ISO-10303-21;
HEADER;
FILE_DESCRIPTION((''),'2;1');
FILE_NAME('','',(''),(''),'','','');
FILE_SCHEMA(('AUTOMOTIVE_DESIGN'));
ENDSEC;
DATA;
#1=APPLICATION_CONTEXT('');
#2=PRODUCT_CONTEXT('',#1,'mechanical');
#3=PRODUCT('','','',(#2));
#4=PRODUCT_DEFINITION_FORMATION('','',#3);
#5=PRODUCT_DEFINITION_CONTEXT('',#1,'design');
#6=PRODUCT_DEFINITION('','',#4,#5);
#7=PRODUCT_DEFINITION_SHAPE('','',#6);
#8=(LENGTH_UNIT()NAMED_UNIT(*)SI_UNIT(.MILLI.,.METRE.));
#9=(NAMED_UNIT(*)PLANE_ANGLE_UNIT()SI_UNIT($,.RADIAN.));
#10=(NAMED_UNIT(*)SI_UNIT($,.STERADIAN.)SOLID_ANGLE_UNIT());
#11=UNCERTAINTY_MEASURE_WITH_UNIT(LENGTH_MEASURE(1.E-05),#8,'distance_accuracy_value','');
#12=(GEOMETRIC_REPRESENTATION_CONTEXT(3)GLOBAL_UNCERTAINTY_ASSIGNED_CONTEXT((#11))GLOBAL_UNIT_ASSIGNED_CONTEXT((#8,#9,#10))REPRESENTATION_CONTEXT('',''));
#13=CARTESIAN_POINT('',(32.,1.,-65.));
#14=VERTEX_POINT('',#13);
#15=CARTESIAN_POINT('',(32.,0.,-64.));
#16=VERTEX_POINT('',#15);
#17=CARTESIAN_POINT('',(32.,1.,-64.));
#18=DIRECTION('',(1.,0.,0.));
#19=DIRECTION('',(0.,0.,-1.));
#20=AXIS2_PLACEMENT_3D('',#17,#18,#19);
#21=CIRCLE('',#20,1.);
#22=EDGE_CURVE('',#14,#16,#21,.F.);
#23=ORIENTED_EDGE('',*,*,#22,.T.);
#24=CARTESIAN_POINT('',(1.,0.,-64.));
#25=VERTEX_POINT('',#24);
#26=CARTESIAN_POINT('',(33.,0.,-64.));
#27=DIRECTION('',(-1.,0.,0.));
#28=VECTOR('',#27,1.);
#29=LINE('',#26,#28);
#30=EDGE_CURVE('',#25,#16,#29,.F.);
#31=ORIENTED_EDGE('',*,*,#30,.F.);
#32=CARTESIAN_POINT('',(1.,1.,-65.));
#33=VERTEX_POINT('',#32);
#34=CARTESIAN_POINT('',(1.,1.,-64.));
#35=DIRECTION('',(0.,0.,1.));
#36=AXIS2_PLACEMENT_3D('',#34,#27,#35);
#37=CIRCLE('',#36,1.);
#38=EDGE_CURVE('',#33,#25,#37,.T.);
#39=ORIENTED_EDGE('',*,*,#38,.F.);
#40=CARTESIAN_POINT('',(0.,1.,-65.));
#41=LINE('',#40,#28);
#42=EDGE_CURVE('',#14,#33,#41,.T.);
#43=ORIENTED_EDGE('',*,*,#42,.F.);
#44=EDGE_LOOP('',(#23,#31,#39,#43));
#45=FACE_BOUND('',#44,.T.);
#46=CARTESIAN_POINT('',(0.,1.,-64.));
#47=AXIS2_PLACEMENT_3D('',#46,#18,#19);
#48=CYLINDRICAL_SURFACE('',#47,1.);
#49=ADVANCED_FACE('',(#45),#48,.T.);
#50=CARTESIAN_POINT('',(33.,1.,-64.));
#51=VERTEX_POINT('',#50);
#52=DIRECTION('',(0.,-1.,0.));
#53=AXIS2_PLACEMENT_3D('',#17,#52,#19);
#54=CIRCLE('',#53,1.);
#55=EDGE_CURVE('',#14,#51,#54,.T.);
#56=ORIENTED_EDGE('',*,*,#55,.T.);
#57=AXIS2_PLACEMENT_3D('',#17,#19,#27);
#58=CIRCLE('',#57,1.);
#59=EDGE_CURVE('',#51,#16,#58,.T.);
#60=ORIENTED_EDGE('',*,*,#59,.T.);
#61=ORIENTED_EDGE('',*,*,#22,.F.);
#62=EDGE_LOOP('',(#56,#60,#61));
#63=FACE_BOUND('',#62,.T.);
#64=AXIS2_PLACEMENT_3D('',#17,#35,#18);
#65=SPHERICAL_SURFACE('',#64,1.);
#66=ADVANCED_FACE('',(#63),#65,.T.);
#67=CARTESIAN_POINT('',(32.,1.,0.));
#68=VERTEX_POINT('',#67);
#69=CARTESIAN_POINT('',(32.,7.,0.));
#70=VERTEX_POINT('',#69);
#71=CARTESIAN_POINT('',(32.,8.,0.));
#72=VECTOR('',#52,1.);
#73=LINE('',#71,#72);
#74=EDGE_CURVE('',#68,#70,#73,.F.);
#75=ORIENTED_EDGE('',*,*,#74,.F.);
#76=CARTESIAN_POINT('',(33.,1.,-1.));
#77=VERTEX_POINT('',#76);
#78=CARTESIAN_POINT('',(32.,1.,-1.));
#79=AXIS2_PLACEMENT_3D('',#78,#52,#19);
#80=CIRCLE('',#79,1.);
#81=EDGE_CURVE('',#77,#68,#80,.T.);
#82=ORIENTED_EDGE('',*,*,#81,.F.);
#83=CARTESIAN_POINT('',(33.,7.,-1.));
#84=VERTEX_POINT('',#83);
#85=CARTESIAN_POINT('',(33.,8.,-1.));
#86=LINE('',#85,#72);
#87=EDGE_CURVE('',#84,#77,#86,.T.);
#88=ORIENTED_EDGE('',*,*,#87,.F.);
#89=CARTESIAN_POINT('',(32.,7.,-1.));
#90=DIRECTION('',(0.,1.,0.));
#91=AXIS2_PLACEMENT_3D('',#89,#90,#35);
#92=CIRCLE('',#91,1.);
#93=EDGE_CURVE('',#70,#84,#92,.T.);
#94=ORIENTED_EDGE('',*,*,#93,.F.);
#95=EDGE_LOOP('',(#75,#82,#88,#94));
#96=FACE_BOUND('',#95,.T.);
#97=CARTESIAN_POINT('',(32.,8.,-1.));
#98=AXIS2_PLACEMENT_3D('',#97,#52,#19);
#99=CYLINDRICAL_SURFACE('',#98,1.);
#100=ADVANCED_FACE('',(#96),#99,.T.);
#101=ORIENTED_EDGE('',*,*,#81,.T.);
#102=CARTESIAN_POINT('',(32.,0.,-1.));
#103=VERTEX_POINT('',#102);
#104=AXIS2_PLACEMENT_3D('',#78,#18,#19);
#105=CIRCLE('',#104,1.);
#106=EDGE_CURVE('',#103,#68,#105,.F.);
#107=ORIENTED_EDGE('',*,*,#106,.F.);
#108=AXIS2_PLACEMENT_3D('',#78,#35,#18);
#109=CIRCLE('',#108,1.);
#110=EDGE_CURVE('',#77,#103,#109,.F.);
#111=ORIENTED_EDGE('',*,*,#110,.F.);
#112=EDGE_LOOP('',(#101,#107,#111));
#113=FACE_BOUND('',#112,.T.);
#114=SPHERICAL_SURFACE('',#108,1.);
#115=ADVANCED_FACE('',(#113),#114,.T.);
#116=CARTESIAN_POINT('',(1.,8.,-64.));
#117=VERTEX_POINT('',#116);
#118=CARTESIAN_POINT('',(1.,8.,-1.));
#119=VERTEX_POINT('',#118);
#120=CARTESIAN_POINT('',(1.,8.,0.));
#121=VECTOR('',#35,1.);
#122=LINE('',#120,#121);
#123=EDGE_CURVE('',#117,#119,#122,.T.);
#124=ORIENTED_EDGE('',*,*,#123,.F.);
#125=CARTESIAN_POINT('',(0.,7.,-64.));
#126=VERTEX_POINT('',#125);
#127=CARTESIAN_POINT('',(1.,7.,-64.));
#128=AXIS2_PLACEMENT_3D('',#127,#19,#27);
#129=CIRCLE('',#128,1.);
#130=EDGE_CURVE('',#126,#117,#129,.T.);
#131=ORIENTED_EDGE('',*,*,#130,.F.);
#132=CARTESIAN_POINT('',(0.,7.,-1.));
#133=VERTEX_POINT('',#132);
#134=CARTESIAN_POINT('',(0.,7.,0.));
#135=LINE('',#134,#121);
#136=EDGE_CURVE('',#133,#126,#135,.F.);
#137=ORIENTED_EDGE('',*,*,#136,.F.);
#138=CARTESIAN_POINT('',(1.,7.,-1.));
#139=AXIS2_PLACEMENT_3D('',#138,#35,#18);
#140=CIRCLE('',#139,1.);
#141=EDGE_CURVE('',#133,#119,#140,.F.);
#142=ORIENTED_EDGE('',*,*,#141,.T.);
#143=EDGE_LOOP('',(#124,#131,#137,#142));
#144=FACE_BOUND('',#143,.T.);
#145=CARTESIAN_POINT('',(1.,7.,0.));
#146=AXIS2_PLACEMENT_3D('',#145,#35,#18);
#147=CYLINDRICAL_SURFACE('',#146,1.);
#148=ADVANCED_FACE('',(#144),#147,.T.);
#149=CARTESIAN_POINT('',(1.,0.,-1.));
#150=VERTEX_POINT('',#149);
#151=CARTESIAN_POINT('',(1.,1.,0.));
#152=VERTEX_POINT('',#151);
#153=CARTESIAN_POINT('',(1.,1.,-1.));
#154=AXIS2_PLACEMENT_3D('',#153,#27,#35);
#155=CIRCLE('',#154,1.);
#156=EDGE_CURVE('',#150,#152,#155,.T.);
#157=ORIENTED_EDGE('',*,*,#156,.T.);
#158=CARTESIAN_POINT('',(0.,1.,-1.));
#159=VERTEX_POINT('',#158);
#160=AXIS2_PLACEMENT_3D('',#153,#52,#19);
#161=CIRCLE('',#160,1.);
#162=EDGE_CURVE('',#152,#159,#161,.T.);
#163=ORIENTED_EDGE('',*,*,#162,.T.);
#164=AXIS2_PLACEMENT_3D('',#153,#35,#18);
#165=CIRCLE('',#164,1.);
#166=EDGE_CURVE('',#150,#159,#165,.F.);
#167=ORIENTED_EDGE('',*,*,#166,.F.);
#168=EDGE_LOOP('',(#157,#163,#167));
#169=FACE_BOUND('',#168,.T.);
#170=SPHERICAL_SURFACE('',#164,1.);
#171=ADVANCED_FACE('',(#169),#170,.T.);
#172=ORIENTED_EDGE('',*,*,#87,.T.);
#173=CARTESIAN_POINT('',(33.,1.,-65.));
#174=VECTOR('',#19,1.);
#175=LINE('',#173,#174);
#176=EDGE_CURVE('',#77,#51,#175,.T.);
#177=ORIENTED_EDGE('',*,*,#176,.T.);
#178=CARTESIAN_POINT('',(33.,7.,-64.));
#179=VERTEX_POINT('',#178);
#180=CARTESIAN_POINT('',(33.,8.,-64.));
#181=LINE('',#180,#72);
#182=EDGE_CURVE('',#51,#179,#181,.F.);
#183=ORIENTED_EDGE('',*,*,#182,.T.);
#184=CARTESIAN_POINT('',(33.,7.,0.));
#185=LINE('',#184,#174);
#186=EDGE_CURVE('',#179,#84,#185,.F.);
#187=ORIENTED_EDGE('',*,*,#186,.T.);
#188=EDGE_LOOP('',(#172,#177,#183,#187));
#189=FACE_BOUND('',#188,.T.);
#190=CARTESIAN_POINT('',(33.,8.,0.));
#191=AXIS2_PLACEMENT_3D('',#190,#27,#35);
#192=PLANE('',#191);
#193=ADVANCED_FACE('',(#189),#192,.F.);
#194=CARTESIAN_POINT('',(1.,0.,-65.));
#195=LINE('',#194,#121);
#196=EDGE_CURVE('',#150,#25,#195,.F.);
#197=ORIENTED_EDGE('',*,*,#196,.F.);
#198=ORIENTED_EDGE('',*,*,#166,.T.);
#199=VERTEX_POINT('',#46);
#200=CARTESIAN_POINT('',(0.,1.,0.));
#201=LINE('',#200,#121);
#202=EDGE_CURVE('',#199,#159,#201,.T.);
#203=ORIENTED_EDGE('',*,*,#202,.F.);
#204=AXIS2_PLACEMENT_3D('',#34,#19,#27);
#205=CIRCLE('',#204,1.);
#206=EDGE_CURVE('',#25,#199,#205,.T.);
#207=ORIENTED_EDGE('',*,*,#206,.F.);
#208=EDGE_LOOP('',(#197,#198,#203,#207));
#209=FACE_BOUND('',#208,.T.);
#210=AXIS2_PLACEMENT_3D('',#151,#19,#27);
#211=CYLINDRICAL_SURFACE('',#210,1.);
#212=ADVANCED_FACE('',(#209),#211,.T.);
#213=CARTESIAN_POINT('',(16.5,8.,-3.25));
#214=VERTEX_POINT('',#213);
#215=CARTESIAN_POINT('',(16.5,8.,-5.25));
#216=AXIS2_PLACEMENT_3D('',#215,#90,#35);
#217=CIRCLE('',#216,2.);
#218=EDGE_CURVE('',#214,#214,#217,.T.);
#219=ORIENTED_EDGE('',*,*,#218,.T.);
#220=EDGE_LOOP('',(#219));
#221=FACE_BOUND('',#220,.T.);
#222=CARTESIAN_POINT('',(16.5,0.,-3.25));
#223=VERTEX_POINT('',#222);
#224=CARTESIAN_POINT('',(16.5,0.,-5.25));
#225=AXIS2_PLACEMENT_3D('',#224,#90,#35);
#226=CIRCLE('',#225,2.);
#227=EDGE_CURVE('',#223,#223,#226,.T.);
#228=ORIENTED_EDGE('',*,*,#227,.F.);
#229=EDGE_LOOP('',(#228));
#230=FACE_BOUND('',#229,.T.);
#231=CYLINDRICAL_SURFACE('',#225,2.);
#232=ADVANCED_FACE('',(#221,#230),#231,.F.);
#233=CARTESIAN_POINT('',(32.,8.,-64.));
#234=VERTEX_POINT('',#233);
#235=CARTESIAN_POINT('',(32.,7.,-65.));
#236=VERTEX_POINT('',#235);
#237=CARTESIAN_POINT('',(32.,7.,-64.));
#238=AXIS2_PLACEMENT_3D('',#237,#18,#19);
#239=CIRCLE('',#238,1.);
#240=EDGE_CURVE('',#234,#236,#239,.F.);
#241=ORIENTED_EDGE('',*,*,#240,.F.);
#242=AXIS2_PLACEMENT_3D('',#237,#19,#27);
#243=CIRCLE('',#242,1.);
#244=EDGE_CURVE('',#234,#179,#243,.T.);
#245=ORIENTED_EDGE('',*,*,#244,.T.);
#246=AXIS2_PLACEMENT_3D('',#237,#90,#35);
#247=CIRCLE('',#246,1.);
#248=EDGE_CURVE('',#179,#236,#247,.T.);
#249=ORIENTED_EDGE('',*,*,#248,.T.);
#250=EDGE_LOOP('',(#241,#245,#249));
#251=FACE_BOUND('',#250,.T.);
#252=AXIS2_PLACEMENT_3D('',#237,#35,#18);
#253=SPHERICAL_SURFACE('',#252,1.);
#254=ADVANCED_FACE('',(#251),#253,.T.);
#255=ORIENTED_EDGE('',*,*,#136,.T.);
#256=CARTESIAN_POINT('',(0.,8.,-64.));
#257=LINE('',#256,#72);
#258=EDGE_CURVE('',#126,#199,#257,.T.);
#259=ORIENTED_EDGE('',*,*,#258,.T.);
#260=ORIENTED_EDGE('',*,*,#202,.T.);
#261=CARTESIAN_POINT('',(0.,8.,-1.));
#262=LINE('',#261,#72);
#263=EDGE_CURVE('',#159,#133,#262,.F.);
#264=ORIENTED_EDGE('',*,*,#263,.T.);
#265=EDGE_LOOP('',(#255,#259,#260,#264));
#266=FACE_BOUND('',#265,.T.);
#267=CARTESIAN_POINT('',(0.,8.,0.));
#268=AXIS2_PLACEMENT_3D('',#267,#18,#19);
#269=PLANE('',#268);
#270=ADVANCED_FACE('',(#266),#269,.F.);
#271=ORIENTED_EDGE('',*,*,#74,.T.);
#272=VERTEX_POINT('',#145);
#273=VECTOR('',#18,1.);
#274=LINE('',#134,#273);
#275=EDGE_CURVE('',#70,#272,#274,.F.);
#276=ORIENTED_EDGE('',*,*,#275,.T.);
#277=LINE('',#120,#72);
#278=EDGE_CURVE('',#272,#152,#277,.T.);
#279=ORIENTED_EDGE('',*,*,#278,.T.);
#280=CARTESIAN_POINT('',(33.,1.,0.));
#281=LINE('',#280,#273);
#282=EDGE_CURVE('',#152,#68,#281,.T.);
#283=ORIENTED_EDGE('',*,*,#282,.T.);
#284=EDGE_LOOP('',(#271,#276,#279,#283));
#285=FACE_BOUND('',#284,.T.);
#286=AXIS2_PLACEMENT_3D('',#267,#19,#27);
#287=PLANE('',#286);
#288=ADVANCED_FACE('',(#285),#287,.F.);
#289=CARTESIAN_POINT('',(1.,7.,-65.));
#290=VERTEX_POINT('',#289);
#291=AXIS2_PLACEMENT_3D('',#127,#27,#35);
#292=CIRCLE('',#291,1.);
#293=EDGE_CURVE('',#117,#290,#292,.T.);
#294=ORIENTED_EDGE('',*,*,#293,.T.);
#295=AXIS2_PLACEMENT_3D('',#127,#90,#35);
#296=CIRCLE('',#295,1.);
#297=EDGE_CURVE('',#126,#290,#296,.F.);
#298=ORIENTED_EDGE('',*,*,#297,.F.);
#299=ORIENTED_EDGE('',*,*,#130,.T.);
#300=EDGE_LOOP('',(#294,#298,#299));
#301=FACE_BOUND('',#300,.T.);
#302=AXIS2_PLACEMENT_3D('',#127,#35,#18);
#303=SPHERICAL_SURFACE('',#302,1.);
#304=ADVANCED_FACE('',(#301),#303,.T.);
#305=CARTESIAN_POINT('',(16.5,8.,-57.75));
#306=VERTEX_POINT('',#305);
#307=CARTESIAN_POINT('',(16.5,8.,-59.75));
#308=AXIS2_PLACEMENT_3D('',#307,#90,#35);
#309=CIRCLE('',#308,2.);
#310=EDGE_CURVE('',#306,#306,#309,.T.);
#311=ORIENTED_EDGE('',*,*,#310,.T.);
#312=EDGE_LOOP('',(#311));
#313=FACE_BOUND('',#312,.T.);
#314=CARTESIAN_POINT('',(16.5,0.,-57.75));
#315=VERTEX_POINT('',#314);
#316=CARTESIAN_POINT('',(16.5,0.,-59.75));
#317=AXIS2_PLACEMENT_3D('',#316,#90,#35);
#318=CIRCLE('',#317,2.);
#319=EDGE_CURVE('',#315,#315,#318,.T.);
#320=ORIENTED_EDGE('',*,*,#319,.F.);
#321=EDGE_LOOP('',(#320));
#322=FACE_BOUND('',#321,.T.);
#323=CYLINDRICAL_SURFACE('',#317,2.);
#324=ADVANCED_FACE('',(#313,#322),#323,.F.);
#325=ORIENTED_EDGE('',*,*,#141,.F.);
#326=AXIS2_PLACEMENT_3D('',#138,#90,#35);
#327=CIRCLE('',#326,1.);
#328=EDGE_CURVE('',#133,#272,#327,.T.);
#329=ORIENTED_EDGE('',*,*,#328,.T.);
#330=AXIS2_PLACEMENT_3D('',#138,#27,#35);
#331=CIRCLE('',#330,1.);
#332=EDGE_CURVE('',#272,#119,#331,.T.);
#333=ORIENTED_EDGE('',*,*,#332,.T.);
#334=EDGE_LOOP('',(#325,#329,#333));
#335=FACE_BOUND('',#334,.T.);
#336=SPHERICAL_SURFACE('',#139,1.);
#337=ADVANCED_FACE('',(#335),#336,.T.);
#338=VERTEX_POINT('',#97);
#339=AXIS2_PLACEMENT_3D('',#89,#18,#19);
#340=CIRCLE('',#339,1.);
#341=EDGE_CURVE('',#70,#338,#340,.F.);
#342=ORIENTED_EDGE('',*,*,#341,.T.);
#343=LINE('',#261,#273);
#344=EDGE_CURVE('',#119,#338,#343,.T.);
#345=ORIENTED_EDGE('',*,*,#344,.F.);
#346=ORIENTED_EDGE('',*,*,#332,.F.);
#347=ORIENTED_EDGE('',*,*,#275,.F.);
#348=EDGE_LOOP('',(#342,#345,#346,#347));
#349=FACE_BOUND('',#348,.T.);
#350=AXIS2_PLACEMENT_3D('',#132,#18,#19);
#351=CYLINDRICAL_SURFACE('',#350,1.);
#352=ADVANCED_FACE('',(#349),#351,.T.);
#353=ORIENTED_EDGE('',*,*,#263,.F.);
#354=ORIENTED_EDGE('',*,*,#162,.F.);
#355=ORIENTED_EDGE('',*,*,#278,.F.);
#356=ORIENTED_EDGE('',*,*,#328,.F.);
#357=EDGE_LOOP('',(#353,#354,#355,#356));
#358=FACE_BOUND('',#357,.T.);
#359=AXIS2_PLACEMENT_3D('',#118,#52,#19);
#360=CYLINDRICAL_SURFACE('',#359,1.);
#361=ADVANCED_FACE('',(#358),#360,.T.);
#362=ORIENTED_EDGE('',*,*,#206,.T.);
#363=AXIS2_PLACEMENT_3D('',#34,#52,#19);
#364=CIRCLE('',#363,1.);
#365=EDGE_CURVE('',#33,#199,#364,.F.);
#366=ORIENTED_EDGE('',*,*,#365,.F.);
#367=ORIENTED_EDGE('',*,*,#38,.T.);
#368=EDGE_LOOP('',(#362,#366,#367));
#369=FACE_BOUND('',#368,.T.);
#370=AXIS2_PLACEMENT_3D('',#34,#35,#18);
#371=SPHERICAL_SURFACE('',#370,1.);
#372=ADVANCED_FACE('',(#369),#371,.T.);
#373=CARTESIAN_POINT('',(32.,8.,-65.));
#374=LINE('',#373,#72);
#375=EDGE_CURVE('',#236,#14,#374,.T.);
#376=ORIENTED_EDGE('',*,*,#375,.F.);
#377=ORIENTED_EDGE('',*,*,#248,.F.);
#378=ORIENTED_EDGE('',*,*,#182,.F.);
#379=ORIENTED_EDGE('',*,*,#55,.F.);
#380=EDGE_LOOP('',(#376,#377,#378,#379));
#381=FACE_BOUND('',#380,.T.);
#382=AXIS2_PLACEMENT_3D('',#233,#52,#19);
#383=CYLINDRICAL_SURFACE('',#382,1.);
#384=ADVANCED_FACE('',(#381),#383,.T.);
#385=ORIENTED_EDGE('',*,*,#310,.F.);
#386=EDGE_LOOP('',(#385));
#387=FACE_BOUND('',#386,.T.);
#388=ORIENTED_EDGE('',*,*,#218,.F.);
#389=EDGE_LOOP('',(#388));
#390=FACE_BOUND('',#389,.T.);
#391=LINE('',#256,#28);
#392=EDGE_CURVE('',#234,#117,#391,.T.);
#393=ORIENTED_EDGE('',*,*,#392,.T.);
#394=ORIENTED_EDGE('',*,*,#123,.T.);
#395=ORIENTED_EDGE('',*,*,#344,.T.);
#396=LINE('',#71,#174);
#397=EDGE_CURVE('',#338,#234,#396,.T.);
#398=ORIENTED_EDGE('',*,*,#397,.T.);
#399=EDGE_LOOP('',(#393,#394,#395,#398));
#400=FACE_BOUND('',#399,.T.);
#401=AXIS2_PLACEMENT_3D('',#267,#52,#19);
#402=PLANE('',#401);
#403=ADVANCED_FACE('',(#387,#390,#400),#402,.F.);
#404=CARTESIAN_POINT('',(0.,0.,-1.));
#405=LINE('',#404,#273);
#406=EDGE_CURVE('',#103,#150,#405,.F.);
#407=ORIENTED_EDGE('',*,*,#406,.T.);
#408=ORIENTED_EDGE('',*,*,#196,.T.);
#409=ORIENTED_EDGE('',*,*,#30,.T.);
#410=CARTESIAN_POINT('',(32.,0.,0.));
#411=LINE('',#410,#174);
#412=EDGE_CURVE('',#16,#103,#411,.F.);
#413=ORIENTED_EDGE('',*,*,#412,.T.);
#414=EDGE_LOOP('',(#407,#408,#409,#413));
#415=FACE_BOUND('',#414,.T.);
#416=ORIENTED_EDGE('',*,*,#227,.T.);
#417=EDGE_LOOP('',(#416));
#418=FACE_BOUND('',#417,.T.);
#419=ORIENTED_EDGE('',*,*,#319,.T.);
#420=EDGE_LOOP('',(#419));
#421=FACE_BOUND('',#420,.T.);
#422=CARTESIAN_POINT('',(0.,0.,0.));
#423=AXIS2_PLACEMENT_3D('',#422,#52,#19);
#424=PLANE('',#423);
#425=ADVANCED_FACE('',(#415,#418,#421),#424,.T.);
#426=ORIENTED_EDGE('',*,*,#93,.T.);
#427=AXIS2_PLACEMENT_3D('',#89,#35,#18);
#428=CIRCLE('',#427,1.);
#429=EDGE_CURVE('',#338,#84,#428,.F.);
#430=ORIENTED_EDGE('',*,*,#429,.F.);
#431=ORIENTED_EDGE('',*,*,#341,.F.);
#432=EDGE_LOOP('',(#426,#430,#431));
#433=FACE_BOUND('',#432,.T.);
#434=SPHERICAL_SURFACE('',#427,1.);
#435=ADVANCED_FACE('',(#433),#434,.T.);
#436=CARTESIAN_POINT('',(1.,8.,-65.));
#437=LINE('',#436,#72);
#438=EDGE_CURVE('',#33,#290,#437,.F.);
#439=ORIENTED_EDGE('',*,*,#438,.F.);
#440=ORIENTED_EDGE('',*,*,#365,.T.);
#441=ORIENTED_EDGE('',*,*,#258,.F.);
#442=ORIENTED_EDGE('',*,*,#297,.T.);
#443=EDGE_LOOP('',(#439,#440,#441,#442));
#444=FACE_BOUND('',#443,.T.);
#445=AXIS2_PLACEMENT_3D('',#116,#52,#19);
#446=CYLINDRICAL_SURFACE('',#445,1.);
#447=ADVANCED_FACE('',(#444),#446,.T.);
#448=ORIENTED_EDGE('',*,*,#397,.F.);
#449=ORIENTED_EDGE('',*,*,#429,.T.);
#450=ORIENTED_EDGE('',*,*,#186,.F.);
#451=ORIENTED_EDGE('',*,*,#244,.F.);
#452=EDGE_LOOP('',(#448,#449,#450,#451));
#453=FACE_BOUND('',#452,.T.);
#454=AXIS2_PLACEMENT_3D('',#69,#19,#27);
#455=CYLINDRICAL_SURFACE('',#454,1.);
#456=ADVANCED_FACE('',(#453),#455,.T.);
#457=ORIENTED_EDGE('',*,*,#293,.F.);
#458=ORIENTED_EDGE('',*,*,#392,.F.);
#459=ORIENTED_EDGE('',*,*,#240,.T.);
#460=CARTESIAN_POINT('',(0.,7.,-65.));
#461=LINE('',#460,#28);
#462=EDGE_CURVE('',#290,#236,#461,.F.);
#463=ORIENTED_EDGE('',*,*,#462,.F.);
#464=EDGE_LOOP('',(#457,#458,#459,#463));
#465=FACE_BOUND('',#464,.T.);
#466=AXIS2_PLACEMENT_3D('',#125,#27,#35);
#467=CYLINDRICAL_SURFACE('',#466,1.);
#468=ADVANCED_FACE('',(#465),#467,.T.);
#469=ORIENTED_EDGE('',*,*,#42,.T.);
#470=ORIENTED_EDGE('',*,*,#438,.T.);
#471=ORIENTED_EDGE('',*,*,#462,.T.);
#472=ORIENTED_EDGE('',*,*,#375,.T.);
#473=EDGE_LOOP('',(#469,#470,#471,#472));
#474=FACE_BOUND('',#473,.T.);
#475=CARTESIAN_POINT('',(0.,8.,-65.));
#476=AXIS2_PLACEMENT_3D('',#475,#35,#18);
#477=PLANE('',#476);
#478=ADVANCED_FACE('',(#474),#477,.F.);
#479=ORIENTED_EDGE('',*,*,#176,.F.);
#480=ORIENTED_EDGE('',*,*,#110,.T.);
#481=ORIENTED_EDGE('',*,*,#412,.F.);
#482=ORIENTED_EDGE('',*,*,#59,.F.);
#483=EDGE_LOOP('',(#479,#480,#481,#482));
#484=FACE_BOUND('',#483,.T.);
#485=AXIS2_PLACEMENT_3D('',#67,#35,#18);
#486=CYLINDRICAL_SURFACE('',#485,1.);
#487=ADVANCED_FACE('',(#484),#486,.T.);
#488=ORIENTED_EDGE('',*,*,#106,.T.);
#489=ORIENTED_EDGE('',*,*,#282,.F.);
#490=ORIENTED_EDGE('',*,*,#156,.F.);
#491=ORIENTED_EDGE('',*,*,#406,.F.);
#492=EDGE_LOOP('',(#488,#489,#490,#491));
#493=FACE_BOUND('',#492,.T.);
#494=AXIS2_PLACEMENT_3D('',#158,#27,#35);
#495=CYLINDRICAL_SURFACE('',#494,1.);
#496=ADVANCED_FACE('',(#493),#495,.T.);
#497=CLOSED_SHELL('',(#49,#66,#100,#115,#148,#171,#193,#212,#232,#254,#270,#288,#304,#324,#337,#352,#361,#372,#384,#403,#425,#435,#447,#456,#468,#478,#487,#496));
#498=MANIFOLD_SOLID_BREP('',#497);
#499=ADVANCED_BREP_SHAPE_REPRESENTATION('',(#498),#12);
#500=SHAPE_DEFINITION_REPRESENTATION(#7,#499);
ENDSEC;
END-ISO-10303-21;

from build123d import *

# Parameters (mm, degrees)
CROQUIS1_W              = 33
CROQUIS1_H              = 65
SALIENTE_EXTRUIR1_DEPTH = 8
REDONDEO1_R             = 1
CROQUIS2_R              = 2
CORTAR_EXTRUIR1_DEPTH   = 74.334848469


with BuildPart() as part:
    # Croquis1 → Saliente-Extruir1 (new body)
    with BuildSketch(Plane(origin=(0, 0, 0), x_dir=(1, 0, 0), z_dir=(0, 1, 0))):
        with Locations((16.5, 32.5)):
            Rectangle(CROQUIS1_W, CROQUIS1_H)
    extrude(amount=SALIENTE_EXTRUIR1_DEPTH)

    # Redondeo1
    redondeo1_edges = [part.edges().sort_by_distance(p)[0] for p in [
        (33, 8, -32.5),
        (16.5, 8, -65),
        (0, 8, -32.5),
        (16.5, 0, -65),
        (33, 0, -32.5),
        (16.5, 0, 0),
        (0, 0, -32.5),
        (16.5, 8, 0),
        (0, 4, -65),
        (33, 4, -65),
        (33, 4, 0),
        (0, 4, 0),
    ]]
    fillet(redondeo1_edges, radius=REDONDEO1_R)

    # Croquis2 → Cortar-Extruir1 (cut, through all)
    with BuildSketch(Plane(origin=(0, 8, 0), x_dir=(1, 0, 0), z_dir=(0, 1, 0))):
        with Locations(Location((16.5, 5.25, 0), (0, 0, 270))):
            Circle(CROQUIS2_R)
        with Locations(Location((16.5, 59.75, 0), (0, 0, 270))):
            Circle(CROQUIS2_R)
    extrude(amount=-CORTAR_EXTRUIR1_DEPTH, mode=Mode.SUBTRACT)


solid = part.part
